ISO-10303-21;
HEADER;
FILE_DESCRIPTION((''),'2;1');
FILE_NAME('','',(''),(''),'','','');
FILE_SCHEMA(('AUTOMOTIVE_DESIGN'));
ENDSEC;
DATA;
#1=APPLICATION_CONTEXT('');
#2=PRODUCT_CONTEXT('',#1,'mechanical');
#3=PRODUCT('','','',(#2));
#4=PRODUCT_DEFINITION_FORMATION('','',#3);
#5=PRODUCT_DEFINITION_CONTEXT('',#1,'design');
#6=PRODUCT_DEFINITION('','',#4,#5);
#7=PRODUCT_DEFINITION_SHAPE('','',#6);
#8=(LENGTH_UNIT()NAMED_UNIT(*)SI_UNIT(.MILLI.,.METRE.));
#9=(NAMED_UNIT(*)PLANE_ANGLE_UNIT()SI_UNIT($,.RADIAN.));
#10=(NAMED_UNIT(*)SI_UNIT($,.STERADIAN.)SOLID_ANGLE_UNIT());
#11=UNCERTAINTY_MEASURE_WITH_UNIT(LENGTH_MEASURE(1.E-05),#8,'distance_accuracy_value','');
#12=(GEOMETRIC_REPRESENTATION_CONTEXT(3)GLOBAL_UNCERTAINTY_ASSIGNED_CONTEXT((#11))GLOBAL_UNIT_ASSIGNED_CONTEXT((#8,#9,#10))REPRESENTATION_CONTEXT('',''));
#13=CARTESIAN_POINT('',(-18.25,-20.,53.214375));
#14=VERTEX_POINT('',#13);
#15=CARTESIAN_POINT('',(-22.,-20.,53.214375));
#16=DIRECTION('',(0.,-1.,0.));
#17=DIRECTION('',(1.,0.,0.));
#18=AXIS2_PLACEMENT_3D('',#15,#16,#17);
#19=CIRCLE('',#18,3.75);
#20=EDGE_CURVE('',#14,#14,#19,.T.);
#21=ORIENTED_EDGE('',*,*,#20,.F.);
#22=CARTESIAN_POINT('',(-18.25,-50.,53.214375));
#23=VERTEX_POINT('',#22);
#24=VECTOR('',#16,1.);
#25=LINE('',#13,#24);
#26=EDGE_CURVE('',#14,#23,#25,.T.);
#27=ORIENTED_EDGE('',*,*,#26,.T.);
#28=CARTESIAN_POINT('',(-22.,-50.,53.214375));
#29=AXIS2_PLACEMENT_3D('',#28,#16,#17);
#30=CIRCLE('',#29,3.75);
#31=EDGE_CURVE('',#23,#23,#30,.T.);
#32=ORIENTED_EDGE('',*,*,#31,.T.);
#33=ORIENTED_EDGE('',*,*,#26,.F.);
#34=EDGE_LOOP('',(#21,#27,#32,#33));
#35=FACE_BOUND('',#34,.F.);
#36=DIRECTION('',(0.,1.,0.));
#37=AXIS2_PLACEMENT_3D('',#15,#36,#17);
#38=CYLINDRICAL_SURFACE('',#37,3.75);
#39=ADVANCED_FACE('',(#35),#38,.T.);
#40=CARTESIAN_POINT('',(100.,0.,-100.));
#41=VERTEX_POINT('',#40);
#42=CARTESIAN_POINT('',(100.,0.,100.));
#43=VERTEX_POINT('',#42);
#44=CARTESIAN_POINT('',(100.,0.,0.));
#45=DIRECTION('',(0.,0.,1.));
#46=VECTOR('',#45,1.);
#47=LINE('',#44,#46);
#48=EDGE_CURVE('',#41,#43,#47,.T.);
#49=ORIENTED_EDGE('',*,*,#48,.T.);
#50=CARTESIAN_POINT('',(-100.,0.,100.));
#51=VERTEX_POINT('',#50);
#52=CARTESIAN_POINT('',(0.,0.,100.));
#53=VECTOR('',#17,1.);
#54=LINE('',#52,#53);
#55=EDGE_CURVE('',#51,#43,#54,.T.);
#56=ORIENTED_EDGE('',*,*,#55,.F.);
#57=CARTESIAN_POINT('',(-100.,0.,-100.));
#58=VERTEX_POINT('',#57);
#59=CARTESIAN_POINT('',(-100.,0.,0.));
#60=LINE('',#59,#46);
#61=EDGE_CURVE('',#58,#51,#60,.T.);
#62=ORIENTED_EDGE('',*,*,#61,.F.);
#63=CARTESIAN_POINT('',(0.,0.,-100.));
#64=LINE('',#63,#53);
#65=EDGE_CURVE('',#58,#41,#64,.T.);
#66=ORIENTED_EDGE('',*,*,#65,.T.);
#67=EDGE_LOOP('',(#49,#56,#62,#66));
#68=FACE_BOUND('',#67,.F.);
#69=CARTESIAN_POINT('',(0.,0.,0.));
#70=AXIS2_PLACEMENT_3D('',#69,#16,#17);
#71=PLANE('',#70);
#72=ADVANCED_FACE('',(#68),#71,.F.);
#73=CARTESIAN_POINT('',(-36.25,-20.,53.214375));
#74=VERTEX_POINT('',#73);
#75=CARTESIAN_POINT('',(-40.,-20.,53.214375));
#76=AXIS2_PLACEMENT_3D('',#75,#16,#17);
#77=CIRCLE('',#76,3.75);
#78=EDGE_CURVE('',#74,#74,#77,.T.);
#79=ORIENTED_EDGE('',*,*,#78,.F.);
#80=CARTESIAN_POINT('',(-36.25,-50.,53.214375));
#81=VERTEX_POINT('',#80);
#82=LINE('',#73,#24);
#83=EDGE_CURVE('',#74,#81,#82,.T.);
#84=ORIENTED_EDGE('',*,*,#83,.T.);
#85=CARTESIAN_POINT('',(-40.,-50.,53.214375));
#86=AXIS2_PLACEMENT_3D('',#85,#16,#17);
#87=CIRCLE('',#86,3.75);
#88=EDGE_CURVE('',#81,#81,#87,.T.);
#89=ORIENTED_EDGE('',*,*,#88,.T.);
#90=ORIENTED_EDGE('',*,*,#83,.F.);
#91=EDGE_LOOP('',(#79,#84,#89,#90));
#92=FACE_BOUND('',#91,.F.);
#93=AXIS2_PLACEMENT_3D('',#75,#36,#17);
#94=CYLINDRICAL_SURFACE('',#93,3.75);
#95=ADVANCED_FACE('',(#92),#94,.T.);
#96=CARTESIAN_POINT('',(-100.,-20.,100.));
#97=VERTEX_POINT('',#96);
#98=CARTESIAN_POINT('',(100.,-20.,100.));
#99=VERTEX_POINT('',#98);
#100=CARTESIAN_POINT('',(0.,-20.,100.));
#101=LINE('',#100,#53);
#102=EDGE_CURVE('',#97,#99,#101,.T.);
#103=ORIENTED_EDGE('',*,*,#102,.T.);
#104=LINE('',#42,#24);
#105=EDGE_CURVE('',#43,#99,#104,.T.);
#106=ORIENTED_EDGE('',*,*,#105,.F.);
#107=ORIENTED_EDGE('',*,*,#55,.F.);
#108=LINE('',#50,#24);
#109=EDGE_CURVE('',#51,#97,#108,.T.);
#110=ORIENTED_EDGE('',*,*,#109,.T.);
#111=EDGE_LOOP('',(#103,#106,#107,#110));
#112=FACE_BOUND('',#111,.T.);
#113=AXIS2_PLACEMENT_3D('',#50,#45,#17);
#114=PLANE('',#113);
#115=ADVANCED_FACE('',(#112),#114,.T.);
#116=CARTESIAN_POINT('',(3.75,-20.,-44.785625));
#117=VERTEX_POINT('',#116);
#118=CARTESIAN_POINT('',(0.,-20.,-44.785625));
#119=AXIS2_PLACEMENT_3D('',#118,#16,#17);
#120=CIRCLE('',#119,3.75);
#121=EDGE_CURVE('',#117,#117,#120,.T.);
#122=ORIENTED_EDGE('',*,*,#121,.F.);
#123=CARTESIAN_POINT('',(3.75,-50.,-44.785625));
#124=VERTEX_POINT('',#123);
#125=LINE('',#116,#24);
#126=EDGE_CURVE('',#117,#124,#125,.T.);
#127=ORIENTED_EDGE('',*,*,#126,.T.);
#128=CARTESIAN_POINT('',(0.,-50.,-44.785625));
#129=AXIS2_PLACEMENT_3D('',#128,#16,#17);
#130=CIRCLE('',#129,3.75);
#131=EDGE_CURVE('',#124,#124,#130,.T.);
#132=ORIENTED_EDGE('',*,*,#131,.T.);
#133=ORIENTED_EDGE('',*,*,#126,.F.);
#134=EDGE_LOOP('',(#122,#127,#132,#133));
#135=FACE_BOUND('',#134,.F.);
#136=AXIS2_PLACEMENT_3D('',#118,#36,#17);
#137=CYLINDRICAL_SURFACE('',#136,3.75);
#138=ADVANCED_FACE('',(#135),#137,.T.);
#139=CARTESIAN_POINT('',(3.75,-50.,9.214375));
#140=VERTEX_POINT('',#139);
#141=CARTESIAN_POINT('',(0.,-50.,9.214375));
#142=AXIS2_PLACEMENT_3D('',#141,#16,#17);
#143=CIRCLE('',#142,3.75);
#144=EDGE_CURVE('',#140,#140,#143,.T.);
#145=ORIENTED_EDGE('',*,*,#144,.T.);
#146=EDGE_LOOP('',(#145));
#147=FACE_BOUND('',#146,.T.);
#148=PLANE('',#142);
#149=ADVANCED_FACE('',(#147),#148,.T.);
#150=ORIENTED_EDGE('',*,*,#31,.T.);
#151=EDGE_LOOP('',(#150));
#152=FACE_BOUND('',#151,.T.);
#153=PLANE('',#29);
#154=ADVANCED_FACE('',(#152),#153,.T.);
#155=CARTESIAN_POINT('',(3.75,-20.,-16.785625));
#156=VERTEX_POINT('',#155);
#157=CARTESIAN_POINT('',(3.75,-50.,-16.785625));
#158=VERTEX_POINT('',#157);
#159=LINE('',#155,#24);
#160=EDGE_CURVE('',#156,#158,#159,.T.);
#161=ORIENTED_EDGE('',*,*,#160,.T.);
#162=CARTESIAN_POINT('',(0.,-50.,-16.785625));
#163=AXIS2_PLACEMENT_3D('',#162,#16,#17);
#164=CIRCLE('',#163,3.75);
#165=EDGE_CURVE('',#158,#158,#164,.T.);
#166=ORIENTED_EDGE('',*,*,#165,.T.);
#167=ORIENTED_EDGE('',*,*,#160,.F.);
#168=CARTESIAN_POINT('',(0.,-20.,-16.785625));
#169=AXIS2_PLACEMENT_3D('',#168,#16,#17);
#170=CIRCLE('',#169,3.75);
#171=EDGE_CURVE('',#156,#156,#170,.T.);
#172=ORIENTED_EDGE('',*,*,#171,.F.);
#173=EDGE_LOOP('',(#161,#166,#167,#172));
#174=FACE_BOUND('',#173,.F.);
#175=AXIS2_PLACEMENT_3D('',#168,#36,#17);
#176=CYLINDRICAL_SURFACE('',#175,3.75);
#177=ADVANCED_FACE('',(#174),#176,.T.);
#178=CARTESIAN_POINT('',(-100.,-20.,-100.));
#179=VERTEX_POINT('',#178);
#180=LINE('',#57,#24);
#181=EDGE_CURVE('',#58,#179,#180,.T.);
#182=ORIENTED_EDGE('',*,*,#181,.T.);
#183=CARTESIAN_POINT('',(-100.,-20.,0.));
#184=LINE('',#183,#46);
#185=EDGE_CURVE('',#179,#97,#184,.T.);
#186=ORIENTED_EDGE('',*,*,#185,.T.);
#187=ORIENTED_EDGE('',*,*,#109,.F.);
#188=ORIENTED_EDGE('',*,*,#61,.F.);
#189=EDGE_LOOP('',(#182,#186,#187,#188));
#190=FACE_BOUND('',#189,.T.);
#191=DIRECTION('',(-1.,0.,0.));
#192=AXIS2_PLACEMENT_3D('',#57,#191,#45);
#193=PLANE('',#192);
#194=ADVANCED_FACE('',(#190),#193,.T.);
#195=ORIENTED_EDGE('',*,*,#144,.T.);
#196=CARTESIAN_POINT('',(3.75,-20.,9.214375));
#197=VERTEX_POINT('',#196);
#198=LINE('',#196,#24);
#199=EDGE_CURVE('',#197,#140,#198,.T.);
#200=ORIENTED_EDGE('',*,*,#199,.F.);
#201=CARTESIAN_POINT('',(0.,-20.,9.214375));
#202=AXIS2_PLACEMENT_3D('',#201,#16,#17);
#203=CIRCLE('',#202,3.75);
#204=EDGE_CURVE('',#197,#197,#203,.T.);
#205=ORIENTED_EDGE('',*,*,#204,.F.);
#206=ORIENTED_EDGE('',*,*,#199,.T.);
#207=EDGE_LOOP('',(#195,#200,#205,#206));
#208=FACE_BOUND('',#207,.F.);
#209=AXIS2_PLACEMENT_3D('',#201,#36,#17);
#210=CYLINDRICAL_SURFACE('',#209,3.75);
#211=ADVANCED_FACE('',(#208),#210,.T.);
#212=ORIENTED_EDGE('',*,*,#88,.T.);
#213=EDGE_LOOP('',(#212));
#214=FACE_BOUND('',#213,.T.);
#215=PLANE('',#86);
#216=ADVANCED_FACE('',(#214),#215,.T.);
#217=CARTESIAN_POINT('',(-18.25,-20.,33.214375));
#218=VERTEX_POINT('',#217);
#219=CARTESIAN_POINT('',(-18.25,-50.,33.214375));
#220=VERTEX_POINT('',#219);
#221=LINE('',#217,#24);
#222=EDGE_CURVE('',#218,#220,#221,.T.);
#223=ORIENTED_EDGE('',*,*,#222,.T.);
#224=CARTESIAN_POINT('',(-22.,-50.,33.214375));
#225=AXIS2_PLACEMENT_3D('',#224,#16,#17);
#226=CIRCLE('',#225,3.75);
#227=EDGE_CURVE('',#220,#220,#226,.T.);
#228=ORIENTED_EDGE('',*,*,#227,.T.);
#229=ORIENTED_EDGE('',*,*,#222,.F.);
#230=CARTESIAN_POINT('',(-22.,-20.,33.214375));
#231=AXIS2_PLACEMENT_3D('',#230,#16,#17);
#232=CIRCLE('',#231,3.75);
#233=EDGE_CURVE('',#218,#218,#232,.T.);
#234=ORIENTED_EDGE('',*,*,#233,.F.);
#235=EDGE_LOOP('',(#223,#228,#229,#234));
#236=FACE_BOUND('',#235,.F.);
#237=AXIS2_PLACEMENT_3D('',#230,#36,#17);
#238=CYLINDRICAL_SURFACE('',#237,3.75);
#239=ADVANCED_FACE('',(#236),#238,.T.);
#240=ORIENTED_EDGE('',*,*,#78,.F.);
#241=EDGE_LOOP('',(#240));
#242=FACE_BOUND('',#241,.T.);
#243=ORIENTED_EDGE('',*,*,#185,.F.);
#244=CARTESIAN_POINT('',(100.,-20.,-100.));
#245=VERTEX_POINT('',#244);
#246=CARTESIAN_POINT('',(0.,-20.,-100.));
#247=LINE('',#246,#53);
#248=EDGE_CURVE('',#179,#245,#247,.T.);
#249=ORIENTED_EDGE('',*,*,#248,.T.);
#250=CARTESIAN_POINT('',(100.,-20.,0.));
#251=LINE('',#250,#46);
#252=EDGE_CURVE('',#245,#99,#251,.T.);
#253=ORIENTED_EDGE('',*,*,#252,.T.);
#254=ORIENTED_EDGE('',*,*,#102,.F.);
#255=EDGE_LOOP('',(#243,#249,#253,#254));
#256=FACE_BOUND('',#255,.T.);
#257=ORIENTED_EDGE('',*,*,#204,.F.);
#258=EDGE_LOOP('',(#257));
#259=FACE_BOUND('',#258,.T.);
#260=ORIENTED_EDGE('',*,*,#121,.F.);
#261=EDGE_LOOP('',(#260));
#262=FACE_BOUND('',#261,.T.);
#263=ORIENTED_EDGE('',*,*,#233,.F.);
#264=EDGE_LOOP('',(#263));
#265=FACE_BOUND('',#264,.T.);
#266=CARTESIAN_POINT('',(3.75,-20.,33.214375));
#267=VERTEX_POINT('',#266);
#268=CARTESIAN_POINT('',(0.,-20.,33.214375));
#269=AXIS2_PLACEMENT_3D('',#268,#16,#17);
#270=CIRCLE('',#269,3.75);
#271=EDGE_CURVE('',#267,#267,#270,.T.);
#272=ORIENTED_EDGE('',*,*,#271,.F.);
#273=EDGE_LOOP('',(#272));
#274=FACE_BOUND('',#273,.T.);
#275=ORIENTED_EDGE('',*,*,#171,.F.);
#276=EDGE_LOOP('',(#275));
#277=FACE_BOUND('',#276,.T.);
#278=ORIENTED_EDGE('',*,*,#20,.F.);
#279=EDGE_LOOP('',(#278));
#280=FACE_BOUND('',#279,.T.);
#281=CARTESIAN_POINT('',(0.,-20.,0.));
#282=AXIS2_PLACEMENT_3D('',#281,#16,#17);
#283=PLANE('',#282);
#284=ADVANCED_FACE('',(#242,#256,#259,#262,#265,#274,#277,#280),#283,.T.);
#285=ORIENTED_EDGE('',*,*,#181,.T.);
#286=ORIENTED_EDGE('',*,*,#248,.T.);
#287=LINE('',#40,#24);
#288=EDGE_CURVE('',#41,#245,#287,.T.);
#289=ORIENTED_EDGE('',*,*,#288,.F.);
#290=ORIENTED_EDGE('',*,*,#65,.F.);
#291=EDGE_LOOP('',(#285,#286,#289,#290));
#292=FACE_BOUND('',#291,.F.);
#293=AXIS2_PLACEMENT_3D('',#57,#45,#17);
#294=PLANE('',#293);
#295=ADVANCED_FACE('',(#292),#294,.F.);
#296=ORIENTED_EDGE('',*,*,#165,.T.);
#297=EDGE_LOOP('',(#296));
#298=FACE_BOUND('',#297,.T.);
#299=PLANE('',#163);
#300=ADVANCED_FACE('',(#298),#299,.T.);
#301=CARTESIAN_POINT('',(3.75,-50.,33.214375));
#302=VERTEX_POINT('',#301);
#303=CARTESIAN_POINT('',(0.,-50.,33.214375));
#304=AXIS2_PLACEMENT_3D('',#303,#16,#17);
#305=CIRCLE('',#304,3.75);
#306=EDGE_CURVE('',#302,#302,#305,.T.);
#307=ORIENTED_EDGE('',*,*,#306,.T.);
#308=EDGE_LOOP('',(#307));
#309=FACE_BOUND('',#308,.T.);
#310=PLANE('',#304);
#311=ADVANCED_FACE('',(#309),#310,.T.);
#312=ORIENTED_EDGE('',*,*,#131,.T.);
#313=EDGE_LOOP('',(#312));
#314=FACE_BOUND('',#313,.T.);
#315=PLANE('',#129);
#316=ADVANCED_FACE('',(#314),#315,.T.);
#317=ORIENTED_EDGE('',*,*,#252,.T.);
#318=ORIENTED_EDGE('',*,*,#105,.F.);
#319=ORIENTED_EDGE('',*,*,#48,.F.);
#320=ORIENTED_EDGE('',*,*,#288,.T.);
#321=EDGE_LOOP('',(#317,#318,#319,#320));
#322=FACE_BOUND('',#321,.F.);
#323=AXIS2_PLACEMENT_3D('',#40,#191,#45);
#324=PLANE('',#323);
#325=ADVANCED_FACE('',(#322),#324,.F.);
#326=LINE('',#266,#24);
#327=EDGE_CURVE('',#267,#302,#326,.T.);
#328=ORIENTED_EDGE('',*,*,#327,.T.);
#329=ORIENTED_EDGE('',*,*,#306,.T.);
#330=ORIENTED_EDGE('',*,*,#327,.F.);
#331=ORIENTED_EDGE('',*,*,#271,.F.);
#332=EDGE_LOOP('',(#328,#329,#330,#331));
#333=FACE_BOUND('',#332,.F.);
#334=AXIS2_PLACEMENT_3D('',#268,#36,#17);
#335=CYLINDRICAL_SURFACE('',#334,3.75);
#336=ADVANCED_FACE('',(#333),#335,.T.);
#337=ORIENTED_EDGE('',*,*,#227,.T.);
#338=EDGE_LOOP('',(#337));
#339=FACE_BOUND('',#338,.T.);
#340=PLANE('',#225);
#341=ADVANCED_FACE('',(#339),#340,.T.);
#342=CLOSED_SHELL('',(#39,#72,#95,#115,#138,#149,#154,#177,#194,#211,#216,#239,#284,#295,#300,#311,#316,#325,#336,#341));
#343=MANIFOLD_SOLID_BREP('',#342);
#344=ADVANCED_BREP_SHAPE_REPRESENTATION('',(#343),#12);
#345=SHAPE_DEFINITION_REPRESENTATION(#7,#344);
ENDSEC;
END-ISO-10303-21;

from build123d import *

# Parameters (mm, degrees)
F0_W     = 200
F0_H     = 200
F1_DEPTH = 20
F2_R     = 3.75
F3_DEPTH = 30


with BuildPart() as f1:
    # F0 (on Front) → F1 (new body)
    with BuildSketch(Plane.XZ):
        Rectangle(F0_W, F0_H)
    extrude(amount=F1_DEPTH)

    # F2 (on face) → F3 (join)
    with BuildSketch(Plane.XZ.offset(20)):
        with Locations((-40, 53.214375)):
            Circle(F2_R)
        with Locations((-22, 53.214375)):
            Circle(F2_R)
        with Locations((-22, 33.214375)):
            Circle(F2_R)
        with Locations((0, 33.214375)):
            Circle(F2_R)
        with Locations((0, 9.214375)):
            Circle(F2_R)
        with Locations((0, -16.785625)):
            Circle(F2_R)
        with Locations((0, -44.785625)):
            Circle(F2_R)
    extrude(amount=F3_DEPTH)


solid = f1.part
